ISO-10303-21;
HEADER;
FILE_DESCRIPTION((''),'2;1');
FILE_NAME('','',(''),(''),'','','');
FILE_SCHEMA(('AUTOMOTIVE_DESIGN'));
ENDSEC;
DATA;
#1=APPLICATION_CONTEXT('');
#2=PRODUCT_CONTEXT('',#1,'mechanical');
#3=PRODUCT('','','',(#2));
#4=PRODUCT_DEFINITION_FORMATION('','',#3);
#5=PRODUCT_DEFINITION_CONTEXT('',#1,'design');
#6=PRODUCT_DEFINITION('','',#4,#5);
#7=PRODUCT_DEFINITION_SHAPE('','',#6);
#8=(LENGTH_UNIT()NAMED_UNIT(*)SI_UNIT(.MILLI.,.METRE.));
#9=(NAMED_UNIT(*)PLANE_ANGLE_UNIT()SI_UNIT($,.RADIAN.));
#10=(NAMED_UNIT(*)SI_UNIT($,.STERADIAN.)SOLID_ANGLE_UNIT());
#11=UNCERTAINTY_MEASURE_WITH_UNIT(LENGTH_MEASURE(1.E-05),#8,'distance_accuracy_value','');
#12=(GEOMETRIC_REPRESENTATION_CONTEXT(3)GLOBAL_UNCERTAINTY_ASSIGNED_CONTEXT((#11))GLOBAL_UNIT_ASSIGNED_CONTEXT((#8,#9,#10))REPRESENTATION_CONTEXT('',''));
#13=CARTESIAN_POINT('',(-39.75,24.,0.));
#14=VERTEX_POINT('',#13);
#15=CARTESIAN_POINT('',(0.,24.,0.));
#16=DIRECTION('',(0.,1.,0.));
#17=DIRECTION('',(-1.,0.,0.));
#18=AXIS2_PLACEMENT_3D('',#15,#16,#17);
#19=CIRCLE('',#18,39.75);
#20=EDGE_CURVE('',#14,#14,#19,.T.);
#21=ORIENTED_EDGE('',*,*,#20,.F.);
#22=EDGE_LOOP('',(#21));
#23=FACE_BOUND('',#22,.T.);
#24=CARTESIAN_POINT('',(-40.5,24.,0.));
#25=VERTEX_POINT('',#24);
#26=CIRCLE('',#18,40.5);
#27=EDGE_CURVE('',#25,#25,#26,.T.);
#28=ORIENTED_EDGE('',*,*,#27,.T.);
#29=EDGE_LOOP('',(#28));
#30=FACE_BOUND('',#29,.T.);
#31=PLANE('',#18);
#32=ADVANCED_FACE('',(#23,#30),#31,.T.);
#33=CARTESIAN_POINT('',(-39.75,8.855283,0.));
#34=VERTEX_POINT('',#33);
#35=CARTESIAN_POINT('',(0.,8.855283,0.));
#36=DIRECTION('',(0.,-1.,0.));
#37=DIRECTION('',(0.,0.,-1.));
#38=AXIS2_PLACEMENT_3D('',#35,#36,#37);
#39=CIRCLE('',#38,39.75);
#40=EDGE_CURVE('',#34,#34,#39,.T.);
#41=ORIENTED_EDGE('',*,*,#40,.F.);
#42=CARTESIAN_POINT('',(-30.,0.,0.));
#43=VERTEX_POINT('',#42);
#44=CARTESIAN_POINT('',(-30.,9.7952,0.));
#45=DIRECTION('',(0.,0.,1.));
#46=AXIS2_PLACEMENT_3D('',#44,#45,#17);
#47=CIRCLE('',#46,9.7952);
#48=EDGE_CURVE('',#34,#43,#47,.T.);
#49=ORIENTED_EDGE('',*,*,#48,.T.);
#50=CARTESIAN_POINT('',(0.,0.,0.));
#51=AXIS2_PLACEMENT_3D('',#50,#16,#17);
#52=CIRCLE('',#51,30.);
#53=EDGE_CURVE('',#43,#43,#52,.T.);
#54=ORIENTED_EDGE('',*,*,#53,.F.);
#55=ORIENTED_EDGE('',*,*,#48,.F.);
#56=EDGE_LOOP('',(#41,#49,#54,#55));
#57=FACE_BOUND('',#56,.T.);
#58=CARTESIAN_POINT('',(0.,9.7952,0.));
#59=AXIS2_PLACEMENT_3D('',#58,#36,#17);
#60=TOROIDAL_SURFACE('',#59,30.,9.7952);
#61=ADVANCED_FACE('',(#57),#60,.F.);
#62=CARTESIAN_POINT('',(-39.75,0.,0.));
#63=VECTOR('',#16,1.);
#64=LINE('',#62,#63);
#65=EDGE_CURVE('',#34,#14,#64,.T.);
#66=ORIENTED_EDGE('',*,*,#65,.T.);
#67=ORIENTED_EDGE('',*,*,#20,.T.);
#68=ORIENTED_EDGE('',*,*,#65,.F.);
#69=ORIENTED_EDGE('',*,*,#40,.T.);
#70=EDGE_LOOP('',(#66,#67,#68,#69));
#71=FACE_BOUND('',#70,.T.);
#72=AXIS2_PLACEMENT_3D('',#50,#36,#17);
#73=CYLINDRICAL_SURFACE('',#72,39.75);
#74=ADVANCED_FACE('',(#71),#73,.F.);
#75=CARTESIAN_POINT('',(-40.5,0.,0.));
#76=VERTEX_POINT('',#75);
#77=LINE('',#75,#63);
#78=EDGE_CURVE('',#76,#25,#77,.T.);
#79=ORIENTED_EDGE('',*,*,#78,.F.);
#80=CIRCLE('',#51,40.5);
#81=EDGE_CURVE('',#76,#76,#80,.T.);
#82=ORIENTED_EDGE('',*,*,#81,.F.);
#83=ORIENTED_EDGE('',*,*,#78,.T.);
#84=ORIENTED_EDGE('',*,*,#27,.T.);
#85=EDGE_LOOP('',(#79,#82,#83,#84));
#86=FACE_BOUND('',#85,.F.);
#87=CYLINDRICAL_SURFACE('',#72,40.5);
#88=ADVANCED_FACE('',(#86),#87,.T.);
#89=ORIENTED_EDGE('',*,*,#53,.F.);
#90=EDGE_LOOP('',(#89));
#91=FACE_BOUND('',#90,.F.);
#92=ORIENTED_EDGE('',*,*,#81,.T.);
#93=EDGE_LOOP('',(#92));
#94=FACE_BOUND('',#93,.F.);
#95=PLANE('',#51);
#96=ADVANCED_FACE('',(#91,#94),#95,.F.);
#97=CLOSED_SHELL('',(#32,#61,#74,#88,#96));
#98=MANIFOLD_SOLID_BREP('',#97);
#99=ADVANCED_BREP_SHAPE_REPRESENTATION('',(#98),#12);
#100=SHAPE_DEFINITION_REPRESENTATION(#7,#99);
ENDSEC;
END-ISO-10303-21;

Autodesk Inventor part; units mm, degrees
ref_plane "YZ Plane" through (0, 0, 0) normal (1, 0, 0) x (0, 1, 0)
ref_plane "XZ Plane" through (0, 0, 0) normal (0, 1, 0) x (-1, 0, 0)
ref_plane "XY Plane" through (0, 0, 0) normal (0, 0, 1) x (1, 0, 0)
sketch "Sketch1" plane through (0, 0, 0) normal (0, 1, 0) x (-1, 0, 0)
  circle A0 centre (0, 0) radius 39.75
  circle A1 centre (0, 0) radius 40.5
  dimension "d0" = 79.5
  dimension "d1" = 81
extrude "Extrusion1" add sketch "Sketch1" along normal blind 24
sketch "Sketch3" plane through (0, 24, 0) normal (0, 1, 0) x (1, 0, 0)
  circle A0 centre (0, 0) radius 40.5 projected
  circle A1 centre (0, 0) radius 39.75 projected
  point P0 (0, -40.5)
  point P1 (-39.75, 0)
ref_plane "Work Plane2" through (0, 24, 40.5) normal (0, 0, 1) x (1, 0, 0)
sketch "Sketch7" plane through (0, 0, 0) normal (0, 0, 1) x (1, 0, 0)
  line L0 (39.75, 24) -> (39.75, 0) construction
  line L1 (0, 0) -> (-30, 0) construction
  line L2 (0, 0) -> (0, 12) construction
  line L3 (0, 12) -> (-39.75, 12) construction
  line L4 (0, 24) -> (-30, 24) construction
  line L5 (-30, 0) -> (-39.7678, 0)
  line L6 (-39.7678, 24.1531) -> (-39.7678, 0)
  line L7 (-39.7678, 12.0766) -> (-37.9524, 12) construction
  line L8 (-39.7678, 12.0766) -> (-39.7678, 13.6344) construction
  line L9 (-30, 0) -> (-30, 9.7952) construction
  line L10 (-39.7952, 9.7952) -> (-30, 9.7952) construction
  line L11 (-30, 24) -> (-30, 13.1677) construction
  line L12 (-40.8323, 13.1677) -> (-30, 13.1677) construction
  line L13 (0, -7.265) -> (0, 29.3895) projected
  arc A0 (-39.7952, 9.7952) -> (-30, 0) centre (-30, 9.7952) ccw
  point P0 (-39.7678, 9.0626)
  dimension "d24" = 30
  dimension "d25" = 12
  dimension "d26" = 39.75
  dimension "d27" = 30
  dimension "d28" = 90
  dimension "d29" = 90
revolve "Revolution1" add sketch "Sketch7" angle 360 about axis through (0, -10, 0) along (0, 1, 0)
properties part number "chevron_treads"
